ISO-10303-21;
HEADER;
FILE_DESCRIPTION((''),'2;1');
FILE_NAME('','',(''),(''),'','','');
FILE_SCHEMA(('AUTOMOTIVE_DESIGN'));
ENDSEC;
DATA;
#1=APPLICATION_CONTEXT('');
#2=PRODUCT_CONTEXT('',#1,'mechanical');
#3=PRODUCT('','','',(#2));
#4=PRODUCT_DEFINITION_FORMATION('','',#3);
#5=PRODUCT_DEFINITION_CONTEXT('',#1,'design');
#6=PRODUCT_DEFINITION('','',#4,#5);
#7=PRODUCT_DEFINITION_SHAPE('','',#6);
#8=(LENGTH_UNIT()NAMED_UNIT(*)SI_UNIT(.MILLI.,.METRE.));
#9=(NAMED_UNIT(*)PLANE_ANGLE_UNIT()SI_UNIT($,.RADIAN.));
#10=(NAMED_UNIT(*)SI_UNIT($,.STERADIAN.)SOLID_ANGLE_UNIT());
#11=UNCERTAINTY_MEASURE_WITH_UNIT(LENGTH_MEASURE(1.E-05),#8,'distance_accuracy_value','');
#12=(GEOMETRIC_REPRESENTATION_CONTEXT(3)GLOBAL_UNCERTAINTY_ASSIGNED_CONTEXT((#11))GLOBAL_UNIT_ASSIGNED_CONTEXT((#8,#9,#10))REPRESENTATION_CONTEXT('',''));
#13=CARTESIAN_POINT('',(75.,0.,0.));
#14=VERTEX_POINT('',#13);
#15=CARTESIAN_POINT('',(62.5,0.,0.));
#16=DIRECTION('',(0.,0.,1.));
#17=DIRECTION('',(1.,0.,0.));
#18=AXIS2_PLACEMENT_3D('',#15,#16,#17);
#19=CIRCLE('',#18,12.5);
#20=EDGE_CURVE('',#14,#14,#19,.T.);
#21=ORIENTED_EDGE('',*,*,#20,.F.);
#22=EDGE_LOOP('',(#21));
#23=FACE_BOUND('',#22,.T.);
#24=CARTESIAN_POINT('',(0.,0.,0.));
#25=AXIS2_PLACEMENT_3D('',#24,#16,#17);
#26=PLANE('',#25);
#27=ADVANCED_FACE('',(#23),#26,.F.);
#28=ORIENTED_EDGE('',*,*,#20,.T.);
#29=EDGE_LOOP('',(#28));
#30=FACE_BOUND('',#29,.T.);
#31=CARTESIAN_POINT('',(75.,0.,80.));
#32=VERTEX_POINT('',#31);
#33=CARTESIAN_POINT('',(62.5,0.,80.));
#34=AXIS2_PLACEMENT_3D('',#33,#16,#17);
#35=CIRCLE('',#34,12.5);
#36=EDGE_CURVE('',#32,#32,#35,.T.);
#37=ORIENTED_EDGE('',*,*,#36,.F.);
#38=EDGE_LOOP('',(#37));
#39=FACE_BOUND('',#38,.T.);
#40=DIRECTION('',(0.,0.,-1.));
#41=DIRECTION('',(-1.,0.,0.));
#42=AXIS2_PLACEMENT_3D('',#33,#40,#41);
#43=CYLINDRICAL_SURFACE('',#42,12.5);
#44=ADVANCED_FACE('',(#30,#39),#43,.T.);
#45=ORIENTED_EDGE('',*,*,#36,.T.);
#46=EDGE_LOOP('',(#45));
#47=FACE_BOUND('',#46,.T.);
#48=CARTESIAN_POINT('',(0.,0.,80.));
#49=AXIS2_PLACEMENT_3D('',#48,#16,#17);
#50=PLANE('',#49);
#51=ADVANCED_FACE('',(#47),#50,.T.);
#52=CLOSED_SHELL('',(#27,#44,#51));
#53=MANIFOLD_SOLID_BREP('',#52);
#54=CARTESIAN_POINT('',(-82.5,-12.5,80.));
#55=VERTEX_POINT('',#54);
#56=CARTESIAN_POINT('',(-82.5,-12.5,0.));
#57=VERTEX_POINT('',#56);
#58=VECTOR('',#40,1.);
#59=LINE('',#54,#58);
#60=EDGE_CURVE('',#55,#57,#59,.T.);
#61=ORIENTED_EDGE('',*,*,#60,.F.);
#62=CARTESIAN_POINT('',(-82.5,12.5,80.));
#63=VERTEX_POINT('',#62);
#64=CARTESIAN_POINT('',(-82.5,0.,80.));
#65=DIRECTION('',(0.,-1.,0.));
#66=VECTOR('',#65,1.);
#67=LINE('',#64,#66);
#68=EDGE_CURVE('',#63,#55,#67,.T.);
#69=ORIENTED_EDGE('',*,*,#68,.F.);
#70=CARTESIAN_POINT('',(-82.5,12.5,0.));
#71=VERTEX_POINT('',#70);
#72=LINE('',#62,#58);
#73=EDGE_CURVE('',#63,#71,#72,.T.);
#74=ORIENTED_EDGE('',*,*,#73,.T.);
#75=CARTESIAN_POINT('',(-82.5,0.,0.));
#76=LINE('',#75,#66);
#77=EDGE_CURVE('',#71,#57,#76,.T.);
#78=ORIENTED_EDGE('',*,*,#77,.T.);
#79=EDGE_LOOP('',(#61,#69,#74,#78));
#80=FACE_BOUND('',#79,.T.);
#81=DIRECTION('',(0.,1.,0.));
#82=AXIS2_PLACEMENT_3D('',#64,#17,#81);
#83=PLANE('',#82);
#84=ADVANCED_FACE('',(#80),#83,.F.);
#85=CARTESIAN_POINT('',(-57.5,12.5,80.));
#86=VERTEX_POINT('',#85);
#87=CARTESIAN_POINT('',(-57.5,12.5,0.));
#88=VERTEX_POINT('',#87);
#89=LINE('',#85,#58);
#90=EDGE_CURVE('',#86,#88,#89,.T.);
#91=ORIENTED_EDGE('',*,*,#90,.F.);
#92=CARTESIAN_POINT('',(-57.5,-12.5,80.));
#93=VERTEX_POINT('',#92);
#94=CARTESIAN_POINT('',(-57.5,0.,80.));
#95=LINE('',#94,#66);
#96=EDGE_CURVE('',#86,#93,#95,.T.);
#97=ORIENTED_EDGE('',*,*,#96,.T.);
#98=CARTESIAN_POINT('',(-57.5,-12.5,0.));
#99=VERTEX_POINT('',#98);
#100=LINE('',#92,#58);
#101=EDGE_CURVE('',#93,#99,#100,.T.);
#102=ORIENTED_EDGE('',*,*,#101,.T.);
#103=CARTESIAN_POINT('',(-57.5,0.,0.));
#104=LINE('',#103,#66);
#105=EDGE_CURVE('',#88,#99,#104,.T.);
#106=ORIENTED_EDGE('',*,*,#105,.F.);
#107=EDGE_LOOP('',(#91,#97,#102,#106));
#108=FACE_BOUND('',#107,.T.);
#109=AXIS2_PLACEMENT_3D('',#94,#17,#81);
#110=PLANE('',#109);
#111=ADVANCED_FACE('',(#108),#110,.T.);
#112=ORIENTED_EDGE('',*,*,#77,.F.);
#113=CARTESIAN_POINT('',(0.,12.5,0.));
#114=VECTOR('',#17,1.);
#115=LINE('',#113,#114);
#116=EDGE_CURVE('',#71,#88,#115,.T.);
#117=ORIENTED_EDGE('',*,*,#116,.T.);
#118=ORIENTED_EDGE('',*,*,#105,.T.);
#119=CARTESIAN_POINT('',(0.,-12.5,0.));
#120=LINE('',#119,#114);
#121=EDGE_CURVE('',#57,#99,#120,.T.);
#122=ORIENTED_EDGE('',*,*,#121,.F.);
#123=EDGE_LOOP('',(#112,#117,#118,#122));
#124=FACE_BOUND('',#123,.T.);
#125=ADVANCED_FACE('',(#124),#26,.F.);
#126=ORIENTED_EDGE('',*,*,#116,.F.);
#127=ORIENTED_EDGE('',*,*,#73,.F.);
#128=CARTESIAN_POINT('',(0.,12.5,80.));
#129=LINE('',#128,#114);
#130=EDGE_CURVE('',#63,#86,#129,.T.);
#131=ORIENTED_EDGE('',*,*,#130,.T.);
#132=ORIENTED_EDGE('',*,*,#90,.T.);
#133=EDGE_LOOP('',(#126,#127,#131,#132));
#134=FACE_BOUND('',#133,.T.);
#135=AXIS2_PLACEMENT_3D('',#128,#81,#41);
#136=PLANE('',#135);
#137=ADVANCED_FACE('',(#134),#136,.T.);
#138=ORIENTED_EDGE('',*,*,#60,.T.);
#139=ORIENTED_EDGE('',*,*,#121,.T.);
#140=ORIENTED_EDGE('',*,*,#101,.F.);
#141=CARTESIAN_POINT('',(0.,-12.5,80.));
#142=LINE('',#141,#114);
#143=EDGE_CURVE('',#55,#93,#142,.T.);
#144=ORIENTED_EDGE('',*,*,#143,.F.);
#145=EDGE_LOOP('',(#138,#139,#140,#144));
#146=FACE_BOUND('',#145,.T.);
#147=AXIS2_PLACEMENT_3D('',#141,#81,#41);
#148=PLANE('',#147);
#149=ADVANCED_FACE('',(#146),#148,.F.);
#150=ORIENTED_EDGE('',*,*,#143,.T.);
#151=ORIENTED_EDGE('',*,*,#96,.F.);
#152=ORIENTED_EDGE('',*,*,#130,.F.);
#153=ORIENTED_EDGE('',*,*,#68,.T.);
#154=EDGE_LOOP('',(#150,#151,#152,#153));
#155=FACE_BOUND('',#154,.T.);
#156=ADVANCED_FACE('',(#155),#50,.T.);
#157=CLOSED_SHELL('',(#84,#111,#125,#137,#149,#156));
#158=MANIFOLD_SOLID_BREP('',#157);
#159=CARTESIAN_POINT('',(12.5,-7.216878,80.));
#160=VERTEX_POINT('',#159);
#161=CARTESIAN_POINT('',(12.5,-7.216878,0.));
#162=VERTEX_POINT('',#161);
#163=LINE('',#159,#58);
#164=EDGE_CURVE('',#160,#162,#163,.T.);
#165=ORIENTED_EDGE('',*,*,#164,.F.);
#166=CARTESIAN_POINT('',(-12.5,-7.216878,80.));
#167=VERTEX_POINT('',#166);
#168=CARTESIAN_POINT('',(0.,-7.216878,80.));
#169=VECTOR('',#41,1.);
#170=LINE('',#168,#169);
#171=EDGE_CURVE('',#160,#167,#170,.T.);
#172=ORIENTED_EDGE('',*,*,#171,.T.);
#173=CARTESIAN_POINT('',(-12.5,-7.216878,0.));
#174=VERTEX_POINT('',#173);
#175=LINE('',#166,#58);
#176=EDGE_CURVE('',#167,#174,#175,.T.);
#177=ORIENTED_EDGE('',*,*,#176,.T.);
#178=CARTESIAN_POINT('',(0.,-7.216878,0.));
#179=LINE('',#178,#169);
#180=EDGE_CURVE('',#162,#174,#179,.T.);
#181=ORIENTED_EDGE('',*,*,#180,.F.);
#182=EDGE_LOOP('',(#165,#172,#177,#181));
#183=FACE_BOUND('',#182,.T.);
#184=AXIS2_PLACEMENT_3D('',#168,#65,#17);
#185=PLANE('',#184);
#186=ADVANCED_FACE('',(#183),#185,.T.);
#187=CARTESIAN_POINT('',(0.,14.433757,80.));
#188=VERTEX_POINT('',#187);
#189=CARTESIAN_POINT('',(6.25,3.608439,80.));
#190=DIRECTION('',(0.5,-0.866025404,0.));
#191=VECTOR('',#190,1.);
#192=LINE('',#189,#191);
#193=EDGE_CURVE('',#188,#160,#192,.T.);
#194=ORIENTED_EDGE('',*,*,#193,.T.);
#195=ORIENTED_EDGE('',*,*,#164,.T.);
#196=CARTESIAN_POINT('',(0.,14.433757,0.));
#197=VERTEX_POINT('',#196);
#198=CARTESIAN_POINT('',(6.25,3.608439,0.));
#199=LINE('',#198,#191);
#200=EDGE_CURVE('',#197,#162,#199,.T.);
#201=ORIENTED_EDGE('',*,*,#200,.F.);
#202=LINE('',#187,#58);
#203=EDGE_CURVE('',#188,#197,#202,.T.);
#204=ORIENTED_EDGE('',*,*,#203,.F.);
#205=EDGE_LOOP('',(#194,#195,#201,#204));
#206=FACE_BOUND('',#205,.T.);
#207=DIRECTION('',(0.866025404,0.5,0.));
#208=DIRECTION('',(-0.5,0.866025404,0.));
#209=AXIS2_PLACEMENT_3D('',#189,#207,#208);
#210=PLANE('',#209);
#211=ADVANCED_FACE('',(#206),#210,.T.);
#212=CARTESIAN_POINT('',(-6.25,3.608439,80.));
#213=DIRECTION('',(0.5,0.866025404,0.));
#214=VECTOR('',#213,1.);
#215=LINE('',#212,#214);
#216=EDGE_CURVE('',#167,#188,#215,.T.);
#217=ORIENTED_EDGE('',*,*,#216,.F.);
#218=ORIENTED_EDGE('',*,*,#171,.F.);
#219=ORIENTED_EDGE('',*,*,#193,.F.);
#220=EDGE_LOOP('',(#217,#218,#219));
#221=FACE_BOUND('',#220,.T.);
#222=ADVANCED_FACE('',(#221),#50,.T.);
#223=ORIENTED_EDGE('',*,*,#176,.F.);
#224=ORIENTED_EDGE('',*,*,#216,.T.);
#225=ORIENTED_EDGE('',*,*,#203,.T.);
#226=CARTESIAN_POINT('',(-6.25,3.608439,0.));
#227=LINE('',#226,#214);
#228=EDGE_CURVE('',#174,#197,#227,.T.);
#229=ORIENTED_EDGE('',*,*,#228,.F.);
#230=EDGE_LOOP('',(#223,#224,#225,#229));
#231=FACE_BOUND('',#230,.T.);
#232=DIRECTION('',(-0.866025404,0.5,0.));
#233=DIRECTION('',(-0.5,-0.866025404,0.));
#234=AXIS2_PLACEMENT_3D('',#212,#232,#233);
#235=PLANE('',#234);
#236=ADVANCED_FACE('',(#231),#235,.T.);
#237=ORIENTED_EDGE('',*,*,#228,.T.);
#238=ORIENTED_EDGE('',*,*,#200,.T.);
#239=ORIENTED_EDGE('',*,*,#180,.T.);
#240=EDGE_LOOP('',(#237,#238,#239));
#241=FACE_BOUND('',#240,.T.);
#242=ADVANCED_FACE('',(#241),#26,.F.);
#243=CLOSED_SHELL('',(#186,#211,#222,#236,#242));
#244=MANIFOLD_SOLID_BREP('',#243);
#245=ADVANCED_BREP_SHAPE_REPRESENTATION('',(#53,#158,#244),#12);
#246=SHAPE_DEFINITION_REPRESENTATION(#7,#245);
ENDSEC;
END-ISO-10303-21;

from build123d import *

# Parameters (mm, degrees)
SKETCH1_R             = 12.5
BOSS_EXTRUDE1_DEPTH   = 80
BOSS_EXTRUDE1_2_DEPTH = 80
SKETCH1_W             = 25
SKETCH1_H             = 25
BOSS_EXTRUDE1_3_DEPTH = 80


with BuildPart() as part:
    # Sketch1 → Boss-Extrude1 (new body)
    with BuildSketch(Plane.XY):
        with Locations((62.5, 0)):
            Circle(SKETCH1_R)
    extrude(amount=BOSS_EXTRUDE1_DEPTH)


with BuildPart() as body_2:
    # Sketch1 → Boss-Extrude1 2 (new body)
    with BuildSketch(Plane.XY):
        Polygon((-12.5, -7.216878365), (0, 14.43375673), (12.5, -7.216878365), align=None)
    extrude(amount=BOSS_EXTRUDE1_2_DEPTH)


with BuildPart() as body_3:
    # Sketch1 → Boss-Extrude1 3 (new body)
    with BuildSketch(Plane.XY):
        with Locations((-70, 0)):
            Rectangle(SKETCH1_W, SKETCH1_H)
    extrude(amount=BOSS_EXTRUDE1_3_DEPTH)


solid = Compound([part.part, body_2.part, body_3.part])
